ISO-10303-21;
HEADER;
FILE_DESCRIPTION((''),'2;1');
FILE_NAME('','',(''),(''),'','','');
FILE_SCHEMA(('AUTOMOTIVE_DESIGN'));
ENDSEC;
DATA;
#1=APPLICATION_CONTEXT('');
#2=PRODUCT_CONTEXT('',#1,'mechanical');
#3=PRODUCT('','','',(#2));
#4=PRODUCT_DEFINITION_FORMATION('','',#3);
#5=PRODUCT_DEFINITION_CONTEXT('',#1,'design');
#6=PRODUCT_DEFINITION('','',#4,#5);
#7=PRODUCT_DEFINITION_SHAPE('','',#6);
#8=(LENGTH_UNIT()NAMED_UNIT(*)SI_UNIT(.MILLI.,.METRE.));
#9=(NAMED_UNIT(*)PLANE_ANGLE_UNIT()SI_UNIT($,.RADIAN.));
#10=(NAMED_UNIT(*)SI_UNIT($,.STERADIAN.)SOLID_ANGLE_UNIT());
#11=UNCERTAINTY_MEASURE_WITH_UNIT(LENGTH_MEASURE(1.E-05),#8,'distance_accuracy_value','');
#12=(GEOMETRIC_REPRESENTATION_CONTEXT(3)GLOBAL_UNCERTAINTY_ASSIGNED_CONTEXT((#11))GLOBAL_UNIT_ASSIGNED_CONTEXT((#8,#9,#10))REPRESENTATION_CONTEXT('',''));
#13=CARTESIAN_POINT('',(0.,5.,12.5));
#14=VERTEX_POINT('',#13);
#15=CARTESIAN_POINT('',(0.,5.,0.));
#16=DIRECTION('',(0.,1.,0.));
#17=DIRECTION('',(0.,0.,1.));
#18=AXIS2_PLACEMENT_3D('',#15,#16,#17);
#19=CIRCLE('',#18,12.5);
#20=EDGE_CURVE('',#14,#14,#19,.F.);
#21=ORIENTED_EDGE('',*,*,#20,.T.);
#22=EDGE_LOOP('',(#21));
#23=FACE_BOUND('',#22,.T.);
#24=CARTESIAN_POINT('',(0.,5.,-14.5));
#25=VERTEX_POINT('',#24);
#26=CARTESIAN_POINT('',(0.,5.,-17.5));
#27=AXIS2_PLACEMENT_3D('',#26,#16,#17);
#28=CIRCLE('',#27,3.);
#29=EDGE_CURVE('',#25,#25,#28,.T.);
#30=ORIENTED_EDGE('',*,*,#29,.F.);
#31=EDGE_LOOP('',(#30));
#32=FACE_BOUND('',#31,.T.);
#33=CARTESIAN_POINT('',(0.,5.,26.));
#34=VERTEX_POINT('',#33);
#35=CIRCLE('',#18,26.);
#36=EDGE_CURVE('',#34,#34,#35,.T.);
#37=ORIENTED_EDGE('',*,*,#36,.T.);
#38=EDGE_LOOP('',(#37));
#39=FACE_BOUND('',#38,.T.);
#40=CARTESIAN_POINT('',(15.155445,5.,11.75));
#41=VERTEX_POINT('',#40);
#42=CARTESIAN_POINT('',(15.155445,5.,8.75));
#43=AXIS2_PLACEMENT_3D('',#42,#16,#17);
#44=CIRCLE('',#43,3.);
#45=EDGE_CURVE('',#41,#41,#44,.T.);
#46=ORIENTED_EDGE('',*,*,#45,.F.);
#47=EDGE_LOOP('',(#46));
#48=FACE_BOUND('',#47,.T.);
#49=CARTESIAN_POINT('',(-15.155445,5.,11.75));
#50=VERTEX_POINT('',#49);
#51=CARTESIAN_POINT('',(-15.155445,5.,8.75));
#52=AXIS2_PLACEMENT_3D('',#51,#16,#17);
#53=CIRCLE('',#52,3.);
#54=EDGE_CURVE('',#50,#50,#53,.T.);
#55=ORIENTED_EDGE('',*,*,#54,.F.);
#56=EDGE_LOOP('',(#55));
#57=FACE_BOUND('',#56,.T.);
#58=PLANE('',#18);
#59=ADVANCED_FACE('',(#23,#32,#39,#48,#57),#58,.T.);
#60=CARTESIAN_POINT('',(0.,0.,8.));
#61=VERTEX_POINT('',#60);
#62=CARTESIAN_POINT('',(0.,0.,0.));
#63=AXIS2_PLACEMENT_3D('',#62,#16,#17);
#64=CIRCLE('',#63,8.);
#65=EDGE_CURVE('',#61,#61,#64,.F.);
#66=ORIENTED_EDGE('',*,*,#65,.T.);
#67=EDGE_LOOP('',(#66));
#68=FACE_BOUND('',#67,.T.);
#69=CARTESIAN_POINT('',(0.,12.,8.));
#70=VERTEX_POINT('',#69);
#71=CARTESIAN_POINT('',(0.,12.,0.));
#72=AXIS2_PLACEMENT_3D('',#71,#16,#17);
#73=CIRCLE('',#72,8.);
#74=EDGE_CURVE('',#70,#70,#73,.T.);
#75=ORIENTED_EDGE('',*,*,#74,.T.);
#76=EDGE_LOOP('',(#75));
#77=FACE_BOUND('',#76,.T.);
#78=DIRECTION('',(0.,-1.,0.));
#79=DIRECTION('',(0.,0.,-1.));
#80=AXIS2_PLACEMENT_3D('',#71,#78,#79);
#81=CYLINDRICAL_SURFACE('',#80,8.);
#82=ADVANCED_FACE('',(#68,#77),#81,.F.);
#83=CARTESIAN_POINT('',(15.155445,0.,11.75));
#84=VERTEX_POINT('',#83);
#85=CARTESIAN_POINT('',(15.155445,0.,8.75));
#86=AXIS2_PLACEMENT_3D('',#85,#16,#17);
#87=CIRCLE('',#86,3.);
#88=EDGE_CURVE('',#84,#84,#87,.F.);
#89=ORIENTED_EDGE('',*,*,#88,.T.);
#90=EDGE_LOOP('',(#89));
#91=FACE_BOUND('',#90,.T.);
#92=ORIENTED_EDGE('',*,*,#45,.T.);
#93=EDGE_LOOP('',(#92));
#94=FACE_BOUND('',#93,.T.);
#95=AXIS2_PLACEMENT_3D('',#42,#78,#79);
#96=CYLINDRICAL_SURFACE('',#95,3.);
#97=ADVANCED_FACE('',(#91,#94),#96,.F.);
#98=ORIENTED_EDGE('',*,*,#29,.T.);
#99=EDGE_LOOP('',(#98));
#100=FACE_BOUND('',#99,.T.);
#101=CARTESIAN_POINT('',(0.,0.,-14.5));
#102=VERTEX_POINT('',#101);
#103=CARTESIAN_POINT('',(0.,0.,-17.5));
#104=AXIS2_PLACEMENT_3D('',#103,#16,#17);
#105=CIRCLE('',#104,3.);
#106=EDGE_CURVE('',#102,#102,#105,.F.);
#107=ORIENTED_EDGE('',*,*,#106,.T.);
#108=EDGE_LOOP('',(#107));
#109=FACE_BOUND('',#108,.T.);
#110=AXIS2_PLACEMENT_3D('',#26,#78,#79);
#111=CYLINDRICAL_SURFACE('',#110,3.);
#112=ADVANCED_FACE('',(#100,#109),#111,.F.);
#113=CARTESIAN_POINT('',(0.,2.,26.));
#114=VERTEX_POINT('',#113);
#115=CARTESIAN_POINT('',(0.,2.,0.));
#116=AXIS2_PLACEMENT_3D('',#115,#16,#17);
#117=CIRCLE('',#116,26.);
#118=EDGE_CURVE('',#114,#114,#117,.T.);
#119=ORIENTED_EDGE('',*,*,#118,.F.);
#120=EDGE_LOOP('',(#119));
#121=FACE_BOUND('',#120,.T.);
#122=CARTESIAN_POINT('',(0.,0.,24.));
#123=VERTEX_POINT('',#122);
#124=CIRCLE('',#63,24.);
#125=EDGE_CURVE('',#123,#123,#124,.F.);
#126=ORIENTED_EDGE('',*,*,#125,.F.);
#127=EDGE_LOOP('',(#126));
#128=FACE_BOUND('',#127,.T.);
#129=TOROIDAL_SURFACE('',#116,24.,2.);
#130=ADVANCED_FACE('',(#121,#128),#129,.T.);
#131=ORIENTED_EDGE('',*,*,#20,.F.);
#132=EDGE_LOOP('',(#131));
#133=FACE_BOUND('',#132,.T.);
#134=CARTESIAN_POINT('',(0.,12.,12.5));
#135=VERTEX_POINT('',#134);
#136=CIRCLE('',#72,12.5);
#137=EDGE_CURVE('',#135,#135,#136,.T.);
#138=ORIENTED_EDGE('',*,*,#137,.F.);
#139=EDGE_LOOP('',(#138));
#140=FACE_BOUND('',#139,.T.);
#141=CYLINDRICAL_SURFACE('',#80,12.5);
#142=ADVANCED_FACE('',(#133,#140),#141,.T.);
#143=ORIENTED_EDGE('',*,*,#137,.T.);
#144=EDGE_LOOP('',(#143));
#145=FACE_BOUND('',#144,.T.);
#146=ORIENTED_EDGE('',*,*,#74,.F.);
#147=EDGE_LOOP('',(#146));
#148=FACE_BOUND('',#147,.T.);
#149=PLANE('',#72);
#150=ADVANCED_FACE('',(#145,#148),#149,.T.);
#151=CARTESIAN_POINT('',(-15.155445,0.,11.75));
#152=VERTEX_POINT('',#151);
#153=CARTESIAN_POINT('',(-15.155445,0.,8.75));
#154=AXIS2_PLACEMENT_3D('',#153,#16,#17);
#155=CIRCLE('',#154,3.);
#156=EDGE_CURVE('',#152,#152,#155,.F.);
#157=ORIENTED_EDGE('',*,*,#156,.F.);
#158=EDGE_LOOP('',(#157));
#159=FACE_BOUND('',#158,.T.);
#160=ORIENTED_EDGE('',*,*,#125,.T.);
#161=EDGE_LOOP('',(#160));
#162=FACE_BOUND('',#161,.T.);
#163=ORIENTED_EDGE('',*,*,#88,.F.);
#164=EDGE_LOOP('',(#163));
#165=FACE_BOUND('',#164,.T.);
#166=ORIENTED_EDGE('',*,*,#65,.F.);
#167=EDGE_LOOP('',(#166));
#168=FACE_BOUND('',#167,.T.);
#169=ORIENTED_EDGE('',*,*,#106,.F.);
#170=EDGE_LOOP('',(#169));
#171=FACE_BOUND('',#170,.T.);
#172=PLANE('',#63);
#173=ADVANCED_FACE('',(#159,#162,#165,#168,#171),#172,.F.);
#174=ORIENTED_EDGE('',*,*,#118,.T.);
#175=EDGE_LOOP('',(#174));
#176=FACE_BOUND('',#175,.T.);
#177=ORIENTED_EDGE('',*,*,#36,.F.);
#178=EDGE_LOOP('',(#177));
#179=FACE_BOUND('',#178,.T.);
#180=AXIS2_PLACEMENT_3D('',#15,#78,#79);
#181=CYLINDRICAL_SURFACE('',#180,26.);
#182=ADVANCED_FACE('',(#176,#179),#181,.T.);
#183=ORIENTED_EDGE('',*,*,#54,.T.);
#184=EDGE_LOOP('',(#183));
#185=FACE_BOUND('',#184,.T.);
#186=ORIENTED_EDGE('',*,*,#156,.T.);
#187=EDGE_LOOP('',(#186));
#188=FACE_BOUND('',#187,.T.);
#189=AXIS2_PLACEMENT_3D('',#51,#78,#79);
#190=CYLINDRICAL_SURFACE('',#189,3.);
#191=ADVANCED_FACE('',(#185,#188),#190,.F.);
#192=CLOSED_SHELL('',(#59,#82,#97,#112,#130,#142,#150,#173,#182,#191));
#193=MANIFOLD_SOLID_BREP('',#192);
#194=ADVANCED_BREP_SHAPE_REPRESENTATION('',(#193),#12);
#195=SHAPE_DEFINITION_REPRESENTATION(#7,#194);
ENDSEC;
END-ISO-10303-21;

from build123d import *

# Parameters (mm, degrees)
SKETCH1_R               = 26
BOSS_EXTRUDE1_DEPTH     = 5
SKETCH1_3_R             = 3
CUT_EXTRUDE1_DEPTH      = 6
CUT_EXTRUDE1_DEPTH_BACK = 1
SKETCH1_4_R             = 12.5
BOSS_EXTRUDE2_DEPTH     = 12
SKETCH1_5_R             = 8
CUT_EXTRUDE2_DEPTH      = 13
CUT_EXTRUDE2_DEPTH_BACK = 1
FILLET1_R               = 2


with BuildPart() as part:
    # Sketch1 → Boss-Extrude1 (new body)
    with BuildSketch(Plane(origin=(0, 0, 0), x_dir=(1, 0, 0), z_dir=(0, 1, 0))):
        Circle(SKETCH1_R)
    extrude(amount=BOSS_EXTRUDE1_DEPTH)

    # Sketch1<3> → Cut-Extrude1 (cut, two sides)
    with BuildSketch(Plane(origin=(0, 0, 0), x_dir=(1, 0, 0), z_dir=(0, 1, 0))) as cut_extrude1_sk:
        with Locations((0, 17.5)):
            Circle(SKETCH1_3_R)
        with Locations((15.155444566, -8.75)):
            Circle(SKETCH1_3_R)
        with Locations((-15.155444566, -8.75)):
            Circle(SKETCH1_3_R)
    extrude(amount=CUT_EXTRUDE1_DEPTH, mode=Mode.SUBTRACT)
    extrude(cut_extrude1_sk.sketch, amount=-CUT_EXTRUDE1_DEPTH_BACK, mode=Mode.SUBTRACT)

    # Sketch1<4> → Boss-Extrude2 (add)
    with BuildSketch(Plane(origin=(0, 0, 0), x_dir=(1, 0, 0), z_dir=(0, 1, 0))):
        Circle(SKETCH1_4_R)
    extrude(amount=BOSS_EXTRUDE2_DEPTH)

    # Sketch1<5> → Cut-Extrude2 (cut, two sides)
    with BuildSketch(Plane(origin=(0, 0, 0), x_dir=(1, 0, 0), z_dir=(0, 1, 0))) as cut_extrude2_sk:
        Circle(SKETCH1_5_R)
    extrude(amount=CUT_EXTRUDE2_DEPTH, mode=Mode.SUBTRACT)
    extrude(cut_extrude2_sk.sketch, amount=-CUT_EXTRUDE2_DEPTH_BACK, mode=Mode.SUBTRACT)

    # Fillet1
    fillet1_edges = [part.edges().sort_by_distance(p)[0] for p in [
        (-26, 0, 0),
    ]]
    fillet(fillet1_edges, radius=FILLET1_R)


solid = part.part
